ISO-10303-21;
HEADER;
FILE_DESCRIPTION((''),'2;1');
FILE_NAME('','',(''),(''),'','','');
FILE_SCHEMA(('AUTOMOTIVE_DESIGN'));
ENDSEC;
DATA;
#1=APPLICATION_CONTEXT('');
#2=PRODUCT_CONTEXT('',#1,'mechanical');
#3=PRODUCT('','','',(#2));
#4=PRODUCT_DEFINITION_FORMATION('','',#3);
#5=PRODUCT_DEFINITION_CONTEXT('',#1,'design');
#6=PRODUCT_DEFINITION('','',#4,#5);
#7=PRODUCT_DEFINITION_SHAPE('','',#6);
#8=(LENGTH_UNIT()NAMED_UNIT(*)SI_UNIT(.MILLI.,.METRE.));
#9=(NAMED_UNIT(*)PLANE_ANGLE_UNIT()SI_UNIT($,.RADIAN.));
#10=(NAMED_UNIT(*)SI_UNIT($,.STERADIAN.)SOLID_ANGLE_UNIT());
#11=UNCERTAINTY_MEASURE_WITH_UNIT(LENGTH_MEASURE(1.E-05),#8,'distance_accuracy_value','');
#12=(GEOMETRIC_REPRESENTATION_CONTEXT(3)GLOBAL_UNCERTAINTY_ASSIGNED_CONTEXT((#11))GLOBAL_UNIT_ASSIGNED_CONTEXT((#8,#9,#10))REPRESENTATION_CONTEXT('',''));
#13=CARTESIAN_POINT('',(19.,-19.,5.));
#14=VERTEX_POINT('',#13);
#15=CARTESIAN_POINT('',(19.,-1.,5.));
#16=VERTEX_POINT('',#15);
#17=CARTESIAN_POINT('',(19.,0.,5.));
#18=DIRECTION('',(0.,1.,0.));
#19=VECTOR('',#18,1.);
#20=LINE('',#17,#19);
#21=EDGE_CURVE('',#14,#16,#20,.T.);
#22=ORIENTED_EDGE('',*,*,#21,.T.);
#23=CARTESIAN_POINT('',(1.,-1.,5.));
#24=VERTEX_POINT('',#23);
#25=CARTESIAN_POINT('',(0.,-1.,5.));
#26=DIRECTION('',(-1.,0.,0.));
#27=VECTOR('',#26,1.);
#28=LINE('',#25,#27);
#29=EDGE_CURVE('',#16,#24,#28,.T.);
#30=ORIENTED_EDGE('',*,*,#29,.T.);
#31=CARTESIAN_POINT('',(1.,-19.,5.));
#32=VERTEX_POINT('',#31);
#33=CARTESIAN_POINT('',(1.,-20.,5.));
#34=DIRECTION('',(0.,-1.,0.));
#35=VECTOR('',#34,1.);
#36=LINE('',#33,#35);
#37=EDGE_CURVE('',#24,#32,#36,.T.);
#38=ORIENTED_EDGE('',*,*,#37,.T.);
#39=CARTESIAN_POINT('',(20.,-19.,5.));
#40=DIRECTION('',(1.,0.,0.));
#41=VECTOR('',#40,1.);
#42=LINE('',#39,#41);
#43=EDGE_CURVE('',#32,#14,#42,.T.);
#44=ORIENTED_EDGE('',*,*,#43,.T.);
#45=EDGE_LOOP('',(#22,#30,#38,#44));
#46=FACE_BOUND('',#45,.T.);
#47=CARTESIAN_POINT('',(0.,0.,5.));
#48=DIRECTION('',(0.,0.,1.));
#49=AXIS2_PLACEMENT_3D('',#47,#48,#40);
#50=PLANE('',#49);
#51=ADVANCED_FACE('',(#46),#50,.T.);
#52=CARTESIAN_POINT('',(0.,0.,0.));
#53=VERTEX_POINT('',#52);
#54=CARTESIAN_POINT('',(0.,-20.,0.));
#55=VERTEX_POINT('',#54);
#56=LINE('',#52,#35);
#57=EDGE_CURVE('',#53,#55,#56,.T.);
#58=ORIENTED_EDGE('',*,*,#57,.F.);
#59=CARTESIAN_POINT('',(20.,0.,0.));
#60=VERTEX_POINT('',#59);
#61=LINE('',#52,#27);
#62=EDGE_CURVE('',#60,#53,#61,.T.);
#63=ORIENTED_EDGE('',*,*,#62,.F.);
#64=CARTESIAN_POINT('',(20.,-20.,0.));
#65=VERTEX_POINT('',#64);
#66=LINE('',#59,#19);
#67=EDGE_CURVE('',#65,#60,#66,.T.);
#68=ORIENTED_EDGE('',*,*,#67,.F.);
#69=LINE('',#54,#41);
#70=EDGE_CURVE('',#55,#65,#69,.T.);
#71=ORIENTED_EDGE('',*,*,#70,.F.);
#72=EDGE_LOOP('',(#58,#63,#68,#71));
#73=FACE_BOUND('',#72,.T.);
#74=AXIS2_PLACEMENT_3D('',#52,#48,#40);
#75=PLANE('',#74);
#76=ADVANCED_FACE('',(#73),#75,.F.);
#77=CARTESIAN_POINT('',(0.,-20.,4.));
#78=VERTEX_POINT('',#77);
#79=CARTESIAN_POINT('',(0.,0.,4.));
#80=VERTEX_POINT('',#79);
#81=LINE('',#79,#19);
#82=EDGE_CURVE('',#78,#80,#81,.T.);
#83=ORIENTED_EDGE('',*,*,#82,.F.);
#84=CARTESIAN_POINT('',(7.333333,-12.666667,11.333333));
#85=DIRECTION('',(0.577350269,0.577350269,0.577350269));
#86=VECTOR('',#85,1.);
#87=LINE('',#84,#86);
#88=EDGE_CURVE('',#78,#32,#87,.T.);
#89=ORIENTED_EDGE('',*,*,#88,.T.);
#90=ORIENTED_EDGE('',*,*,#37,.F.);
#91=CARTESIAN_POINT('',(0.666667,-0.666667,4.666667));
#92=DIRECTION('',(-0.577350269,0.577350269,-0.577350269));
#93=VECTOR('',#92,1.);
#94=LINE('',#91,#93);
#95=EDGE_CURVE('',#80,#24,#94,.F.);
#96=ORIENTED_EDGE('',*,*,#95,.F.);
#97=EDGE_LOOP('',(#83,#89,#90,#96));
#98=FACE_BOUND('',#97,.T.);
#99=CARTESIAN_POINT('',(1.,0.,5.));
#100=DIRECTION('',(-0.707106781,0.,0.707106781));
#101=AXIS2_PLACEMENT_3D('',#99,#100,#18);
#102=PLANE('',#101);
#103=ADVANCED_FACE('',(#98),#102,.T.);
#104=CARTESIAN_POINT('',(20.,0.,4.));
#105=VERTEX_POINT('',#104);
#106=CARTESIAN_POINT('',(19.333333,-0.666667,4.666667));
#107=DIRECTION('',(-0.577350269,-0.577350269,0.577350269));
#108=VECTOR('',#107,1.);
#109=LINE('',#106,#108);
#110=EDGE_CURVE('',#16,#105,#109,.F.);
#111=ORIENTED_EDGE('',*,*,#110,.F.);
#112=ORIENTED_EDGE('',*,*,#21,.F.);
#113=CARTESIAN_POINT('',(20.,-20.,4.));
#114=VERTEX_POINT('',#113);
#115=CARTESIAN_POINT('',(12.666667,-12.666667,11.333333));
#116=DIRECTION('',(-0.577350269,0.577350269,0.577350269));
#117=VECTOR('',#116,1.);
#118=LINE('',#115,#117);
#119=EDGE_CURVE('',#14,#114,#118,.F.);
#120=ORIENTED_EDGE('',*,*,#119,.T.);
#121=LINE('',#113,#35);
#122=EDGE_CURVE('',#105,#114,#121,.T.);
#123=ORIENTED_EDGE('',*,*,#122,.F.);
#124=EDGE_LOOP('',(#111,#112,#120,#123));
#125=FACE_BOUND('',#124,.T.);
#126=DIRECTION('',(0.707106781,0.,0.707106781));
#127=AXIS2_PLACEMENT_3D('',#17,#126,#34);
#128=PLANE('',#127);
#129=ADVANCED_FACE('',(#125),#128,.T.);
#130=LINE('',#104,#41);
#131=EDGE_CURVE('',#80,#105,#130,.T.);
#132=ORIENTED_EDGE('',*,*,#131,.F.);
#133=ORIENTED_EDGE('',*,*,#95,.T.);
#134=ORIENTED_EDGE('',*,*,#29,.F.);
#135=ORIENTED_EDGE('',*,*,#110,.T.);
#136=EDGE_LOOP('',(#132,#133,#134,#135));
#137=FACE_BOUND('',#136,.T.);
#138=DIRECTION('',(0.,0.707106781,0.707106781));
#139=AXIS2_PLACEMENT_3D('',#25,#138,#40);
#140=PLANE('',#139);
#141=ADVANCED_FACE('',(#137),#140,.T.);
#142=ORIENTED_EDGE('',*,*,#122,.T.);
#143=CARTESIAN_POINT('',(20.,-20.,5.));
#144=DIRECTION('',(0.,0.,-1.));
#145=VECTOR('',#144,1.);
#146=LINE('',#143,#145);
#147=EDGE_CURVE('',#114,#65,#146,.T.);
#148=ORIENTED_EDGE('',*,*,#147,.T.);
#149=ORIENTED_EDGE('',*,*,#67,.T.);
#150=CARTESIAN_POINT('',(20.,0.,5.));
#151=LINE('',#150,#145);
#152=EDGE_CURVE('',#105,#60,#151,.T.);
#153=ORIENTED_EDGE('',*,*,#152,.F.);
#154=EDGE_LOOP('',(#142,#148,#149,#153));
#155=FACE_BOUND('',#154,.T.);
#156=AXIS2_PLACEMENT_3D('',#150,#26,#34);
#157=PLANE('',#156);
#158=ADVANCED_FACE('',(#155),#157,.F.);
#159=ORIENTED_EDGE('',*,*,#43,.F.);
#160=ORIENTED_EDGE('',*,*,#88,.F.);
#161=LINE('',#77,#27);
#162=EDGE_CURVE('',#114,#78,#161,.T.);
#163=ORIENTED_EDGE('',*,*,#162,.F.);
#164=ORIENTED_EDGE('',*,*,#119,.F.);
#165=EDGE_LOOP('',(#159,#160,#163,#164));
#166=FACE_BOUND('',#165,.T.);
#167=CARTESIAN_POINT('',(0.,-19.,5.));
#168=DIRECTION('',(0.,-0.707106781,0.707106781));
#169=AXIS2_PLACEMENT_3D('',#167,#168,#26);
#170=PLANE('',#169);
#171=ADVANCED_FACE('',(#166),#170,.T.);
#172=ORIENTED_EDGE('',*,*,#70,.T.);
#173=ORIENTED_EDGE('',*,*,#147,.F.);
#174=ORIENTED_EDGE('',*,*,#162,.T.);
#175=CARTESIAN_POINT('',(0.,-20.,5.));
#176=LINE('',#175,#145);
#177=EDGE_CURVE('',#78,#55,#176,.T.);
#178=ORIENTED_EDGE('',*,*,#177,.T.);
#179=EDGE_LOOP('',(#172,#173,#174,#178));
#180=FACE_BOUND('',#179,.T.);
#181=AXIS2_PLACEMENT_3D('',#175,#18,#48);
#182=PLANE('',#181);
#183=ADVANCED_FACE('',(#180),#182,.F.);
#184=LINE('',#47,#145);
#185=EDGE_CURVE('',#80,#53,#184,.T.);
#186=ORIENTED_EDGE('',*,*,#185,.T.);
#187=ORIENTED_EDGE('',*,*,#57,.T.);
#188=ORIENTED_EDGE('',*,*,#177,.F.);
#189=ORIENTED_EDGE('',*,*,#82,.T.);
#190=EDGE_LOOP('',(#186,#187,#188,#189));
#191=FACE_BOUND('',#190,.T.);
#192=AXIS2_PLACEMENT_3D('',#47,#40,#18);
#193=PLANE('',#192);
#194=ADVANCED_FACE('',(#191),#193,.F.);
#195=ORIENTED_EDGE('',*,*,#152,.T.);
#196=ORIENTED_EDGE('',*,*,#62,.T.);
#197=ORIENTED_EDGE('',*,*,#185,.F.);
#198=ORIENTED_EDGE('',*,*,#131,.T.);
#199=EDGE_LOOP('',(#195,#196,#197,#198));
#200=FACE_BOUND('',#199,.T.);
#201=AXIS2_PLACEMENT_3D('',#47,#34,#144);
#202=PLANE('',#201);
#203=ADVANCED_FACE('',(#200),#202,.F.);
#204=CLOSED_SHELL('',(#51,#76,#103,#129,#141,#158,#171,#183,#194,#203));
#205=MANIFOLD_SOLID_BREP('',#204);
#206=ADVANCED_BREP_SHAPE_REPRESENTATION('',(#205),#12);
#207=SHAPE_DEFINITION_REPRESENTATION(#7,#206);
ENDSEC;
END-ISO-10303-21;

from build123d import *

# Parameters (mm, degrees)
ESQUISSE1_W        = 20
ESQUISSE1_H        = 20
BOSS_EXTRU_1_DEPTH = 5
CHANFREIN1_SIZE    = 1


with BuildPart() as part:
    # Esquisse1 → Boss.-Extru.1 (new body)
    with BuildSketch(Plane.XY):
        with Locations((10, -10)):
            Rectangle(ESQUISSE1_W, ESQUISSE1_H)
    extrude(amount=BOSS_EXTRU_1_DEPTH)

    # Chanfrein1
    chanfrein1_edges = [part.edges().sort_by_distance(p)[0] for p in [
        (20, -10, 5),
        (10, 0, 5),
        (0, -10, 5),
        (10, -20, 5),
    ]]
    chamfer(chanfrein1_edges, length=CHANFREIN1_SIZE)


solid = part.part
